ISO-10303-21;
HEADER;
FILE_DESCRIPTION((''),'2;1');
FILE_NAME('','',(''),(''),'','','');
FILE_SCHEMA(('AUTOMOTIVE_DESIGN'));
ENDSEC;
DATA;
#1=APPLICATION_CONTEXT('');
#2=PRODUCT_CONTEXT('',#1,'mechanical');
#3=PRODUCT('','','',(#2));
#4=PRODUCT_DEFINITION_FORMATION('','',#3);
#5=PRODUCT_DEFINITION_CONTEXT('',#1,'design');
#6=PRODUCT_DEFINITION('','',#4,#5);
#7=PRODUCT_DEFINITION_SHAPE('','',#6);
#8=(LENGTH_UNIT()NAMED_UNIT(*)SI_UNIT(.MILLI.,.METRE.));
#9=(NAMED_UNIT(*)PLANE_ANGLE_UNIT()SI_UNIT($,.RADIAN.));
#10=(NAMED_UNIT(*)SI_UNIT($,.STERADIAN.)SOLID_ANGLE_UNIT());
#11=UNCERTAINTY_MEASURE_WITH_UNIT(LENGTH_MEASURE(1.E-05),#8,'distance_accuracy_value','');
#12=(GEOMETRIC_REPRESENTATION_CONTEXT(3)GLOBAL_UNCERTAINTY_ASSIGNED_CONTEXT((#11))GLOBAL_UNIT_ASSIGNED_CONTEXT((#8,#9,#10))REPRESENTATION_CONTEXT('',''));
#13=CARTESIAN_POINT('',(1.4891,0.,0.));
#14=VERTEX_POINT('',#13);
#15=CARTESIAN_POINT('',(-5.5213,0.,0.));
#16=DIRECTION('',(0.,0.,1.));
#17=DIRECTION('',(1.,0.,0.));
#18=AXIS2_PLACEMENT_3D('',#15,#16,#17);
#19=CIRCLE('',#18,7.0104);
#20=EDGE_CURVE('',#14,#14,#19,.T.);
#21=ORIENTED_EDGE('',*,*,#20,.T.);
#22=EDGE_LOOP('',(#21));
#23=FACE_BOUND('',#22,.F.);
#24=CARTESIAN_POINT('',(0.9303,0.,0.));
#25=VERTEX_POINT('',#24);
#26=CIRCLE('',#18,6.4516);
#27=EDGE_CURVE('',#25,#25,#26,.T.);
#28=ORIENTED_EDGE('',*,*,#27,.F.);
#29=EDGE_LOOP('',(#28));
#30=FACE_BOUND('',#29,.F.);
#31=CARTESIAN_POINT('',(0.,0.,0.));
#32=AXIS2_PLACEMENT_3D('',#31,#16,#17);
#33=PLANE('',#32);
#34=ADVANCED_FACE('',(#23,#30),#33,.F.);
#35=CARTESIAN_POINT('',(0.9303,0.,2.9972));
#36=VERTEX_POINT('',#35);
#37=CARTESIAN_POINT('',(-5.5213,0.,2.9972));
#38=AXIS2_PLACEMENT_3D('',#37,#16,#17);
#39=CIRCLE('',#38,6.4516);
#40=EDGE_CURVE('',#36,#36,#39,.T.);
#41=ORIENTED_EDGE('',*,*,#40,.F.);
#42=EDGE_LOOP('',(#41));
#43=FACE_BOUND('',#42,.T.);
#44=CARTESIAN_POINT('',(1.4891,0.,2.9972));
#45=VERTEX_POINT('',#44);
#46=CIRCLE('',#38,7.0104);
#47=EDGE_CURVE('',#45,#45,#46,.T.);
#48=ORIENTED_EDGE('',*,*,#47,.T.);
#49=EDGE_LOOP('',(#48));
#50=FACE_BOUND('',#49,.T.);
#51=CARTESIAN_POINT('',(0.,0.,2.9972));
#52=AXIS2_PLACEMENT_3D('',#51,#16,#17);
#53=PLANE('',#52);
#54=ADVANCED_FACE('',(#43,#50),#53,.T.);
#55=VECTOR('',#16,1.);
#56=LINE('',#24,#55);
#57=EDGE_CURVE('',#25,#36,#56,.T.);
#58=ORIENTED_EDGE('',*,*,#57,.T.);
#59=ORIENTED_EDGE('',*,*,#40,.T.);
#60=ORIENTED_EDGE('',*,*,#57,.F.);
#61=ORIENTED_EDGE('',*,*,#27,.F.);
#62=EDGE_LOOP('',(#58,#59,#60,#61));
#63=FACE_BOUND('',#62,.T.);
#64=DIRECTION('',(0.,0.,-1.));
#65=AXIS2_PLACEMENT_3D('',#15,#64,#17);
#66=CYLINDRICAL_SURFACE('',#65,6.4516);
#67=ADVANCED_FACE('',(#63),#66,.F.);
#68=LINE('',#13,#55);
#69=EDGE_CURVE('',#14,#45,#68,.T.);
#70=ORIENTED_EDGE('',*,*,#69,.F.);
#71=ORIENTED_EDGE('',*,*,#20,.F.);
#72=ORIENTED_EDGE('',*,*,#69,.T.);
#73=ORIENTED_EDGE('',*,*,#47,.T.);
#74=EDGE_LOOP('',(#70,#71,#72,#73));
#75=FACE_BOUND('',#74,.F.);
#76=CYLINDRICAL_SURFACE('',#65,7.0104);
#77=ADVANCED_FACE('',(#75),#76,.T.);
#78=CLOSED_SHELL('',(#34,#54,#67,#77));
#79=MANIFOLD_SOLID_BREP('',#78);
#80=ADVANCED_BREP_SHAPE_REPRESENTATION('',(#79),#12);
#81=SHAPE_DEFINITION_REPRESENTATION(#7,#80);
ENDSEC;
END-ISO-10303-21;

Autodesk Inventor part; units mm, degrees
ref_plane "YZ Plane" through (0, 0, 0) normal (1, 0, 0) x (0, 1, 0)
ref_plane "XZ Plane" through (0, 0, 0) normal (0, 1, 0) x (-1, 0, 0)
sketch "Sketch1" plane through (0, 0, 0) normal (0, 0, 1) x (1, 0, 0)
  circle A0 centre (-5.5213, 0) radius 7.0104 projected
  circle A1 centre (-5.5213, 0) radius 5.9436 projected
  circle A2 centre (-5.5213, 0) radius 6.4516
  circle A3 centre (-5.5213, 0) radius 7.0104
  point P0 (0, 0)
  dimension "d3" = 0.508
ref_plane "Work Plane1" through (-12.5317, -7.0104, 2.9972) normal (0, 0, -1) x (0, 1, 0)
extrude "Extrusion1" add sketch "Sketch1" along normal up to surface (2.9972 mm away) contours A0
properties part number "focusSpacer"
